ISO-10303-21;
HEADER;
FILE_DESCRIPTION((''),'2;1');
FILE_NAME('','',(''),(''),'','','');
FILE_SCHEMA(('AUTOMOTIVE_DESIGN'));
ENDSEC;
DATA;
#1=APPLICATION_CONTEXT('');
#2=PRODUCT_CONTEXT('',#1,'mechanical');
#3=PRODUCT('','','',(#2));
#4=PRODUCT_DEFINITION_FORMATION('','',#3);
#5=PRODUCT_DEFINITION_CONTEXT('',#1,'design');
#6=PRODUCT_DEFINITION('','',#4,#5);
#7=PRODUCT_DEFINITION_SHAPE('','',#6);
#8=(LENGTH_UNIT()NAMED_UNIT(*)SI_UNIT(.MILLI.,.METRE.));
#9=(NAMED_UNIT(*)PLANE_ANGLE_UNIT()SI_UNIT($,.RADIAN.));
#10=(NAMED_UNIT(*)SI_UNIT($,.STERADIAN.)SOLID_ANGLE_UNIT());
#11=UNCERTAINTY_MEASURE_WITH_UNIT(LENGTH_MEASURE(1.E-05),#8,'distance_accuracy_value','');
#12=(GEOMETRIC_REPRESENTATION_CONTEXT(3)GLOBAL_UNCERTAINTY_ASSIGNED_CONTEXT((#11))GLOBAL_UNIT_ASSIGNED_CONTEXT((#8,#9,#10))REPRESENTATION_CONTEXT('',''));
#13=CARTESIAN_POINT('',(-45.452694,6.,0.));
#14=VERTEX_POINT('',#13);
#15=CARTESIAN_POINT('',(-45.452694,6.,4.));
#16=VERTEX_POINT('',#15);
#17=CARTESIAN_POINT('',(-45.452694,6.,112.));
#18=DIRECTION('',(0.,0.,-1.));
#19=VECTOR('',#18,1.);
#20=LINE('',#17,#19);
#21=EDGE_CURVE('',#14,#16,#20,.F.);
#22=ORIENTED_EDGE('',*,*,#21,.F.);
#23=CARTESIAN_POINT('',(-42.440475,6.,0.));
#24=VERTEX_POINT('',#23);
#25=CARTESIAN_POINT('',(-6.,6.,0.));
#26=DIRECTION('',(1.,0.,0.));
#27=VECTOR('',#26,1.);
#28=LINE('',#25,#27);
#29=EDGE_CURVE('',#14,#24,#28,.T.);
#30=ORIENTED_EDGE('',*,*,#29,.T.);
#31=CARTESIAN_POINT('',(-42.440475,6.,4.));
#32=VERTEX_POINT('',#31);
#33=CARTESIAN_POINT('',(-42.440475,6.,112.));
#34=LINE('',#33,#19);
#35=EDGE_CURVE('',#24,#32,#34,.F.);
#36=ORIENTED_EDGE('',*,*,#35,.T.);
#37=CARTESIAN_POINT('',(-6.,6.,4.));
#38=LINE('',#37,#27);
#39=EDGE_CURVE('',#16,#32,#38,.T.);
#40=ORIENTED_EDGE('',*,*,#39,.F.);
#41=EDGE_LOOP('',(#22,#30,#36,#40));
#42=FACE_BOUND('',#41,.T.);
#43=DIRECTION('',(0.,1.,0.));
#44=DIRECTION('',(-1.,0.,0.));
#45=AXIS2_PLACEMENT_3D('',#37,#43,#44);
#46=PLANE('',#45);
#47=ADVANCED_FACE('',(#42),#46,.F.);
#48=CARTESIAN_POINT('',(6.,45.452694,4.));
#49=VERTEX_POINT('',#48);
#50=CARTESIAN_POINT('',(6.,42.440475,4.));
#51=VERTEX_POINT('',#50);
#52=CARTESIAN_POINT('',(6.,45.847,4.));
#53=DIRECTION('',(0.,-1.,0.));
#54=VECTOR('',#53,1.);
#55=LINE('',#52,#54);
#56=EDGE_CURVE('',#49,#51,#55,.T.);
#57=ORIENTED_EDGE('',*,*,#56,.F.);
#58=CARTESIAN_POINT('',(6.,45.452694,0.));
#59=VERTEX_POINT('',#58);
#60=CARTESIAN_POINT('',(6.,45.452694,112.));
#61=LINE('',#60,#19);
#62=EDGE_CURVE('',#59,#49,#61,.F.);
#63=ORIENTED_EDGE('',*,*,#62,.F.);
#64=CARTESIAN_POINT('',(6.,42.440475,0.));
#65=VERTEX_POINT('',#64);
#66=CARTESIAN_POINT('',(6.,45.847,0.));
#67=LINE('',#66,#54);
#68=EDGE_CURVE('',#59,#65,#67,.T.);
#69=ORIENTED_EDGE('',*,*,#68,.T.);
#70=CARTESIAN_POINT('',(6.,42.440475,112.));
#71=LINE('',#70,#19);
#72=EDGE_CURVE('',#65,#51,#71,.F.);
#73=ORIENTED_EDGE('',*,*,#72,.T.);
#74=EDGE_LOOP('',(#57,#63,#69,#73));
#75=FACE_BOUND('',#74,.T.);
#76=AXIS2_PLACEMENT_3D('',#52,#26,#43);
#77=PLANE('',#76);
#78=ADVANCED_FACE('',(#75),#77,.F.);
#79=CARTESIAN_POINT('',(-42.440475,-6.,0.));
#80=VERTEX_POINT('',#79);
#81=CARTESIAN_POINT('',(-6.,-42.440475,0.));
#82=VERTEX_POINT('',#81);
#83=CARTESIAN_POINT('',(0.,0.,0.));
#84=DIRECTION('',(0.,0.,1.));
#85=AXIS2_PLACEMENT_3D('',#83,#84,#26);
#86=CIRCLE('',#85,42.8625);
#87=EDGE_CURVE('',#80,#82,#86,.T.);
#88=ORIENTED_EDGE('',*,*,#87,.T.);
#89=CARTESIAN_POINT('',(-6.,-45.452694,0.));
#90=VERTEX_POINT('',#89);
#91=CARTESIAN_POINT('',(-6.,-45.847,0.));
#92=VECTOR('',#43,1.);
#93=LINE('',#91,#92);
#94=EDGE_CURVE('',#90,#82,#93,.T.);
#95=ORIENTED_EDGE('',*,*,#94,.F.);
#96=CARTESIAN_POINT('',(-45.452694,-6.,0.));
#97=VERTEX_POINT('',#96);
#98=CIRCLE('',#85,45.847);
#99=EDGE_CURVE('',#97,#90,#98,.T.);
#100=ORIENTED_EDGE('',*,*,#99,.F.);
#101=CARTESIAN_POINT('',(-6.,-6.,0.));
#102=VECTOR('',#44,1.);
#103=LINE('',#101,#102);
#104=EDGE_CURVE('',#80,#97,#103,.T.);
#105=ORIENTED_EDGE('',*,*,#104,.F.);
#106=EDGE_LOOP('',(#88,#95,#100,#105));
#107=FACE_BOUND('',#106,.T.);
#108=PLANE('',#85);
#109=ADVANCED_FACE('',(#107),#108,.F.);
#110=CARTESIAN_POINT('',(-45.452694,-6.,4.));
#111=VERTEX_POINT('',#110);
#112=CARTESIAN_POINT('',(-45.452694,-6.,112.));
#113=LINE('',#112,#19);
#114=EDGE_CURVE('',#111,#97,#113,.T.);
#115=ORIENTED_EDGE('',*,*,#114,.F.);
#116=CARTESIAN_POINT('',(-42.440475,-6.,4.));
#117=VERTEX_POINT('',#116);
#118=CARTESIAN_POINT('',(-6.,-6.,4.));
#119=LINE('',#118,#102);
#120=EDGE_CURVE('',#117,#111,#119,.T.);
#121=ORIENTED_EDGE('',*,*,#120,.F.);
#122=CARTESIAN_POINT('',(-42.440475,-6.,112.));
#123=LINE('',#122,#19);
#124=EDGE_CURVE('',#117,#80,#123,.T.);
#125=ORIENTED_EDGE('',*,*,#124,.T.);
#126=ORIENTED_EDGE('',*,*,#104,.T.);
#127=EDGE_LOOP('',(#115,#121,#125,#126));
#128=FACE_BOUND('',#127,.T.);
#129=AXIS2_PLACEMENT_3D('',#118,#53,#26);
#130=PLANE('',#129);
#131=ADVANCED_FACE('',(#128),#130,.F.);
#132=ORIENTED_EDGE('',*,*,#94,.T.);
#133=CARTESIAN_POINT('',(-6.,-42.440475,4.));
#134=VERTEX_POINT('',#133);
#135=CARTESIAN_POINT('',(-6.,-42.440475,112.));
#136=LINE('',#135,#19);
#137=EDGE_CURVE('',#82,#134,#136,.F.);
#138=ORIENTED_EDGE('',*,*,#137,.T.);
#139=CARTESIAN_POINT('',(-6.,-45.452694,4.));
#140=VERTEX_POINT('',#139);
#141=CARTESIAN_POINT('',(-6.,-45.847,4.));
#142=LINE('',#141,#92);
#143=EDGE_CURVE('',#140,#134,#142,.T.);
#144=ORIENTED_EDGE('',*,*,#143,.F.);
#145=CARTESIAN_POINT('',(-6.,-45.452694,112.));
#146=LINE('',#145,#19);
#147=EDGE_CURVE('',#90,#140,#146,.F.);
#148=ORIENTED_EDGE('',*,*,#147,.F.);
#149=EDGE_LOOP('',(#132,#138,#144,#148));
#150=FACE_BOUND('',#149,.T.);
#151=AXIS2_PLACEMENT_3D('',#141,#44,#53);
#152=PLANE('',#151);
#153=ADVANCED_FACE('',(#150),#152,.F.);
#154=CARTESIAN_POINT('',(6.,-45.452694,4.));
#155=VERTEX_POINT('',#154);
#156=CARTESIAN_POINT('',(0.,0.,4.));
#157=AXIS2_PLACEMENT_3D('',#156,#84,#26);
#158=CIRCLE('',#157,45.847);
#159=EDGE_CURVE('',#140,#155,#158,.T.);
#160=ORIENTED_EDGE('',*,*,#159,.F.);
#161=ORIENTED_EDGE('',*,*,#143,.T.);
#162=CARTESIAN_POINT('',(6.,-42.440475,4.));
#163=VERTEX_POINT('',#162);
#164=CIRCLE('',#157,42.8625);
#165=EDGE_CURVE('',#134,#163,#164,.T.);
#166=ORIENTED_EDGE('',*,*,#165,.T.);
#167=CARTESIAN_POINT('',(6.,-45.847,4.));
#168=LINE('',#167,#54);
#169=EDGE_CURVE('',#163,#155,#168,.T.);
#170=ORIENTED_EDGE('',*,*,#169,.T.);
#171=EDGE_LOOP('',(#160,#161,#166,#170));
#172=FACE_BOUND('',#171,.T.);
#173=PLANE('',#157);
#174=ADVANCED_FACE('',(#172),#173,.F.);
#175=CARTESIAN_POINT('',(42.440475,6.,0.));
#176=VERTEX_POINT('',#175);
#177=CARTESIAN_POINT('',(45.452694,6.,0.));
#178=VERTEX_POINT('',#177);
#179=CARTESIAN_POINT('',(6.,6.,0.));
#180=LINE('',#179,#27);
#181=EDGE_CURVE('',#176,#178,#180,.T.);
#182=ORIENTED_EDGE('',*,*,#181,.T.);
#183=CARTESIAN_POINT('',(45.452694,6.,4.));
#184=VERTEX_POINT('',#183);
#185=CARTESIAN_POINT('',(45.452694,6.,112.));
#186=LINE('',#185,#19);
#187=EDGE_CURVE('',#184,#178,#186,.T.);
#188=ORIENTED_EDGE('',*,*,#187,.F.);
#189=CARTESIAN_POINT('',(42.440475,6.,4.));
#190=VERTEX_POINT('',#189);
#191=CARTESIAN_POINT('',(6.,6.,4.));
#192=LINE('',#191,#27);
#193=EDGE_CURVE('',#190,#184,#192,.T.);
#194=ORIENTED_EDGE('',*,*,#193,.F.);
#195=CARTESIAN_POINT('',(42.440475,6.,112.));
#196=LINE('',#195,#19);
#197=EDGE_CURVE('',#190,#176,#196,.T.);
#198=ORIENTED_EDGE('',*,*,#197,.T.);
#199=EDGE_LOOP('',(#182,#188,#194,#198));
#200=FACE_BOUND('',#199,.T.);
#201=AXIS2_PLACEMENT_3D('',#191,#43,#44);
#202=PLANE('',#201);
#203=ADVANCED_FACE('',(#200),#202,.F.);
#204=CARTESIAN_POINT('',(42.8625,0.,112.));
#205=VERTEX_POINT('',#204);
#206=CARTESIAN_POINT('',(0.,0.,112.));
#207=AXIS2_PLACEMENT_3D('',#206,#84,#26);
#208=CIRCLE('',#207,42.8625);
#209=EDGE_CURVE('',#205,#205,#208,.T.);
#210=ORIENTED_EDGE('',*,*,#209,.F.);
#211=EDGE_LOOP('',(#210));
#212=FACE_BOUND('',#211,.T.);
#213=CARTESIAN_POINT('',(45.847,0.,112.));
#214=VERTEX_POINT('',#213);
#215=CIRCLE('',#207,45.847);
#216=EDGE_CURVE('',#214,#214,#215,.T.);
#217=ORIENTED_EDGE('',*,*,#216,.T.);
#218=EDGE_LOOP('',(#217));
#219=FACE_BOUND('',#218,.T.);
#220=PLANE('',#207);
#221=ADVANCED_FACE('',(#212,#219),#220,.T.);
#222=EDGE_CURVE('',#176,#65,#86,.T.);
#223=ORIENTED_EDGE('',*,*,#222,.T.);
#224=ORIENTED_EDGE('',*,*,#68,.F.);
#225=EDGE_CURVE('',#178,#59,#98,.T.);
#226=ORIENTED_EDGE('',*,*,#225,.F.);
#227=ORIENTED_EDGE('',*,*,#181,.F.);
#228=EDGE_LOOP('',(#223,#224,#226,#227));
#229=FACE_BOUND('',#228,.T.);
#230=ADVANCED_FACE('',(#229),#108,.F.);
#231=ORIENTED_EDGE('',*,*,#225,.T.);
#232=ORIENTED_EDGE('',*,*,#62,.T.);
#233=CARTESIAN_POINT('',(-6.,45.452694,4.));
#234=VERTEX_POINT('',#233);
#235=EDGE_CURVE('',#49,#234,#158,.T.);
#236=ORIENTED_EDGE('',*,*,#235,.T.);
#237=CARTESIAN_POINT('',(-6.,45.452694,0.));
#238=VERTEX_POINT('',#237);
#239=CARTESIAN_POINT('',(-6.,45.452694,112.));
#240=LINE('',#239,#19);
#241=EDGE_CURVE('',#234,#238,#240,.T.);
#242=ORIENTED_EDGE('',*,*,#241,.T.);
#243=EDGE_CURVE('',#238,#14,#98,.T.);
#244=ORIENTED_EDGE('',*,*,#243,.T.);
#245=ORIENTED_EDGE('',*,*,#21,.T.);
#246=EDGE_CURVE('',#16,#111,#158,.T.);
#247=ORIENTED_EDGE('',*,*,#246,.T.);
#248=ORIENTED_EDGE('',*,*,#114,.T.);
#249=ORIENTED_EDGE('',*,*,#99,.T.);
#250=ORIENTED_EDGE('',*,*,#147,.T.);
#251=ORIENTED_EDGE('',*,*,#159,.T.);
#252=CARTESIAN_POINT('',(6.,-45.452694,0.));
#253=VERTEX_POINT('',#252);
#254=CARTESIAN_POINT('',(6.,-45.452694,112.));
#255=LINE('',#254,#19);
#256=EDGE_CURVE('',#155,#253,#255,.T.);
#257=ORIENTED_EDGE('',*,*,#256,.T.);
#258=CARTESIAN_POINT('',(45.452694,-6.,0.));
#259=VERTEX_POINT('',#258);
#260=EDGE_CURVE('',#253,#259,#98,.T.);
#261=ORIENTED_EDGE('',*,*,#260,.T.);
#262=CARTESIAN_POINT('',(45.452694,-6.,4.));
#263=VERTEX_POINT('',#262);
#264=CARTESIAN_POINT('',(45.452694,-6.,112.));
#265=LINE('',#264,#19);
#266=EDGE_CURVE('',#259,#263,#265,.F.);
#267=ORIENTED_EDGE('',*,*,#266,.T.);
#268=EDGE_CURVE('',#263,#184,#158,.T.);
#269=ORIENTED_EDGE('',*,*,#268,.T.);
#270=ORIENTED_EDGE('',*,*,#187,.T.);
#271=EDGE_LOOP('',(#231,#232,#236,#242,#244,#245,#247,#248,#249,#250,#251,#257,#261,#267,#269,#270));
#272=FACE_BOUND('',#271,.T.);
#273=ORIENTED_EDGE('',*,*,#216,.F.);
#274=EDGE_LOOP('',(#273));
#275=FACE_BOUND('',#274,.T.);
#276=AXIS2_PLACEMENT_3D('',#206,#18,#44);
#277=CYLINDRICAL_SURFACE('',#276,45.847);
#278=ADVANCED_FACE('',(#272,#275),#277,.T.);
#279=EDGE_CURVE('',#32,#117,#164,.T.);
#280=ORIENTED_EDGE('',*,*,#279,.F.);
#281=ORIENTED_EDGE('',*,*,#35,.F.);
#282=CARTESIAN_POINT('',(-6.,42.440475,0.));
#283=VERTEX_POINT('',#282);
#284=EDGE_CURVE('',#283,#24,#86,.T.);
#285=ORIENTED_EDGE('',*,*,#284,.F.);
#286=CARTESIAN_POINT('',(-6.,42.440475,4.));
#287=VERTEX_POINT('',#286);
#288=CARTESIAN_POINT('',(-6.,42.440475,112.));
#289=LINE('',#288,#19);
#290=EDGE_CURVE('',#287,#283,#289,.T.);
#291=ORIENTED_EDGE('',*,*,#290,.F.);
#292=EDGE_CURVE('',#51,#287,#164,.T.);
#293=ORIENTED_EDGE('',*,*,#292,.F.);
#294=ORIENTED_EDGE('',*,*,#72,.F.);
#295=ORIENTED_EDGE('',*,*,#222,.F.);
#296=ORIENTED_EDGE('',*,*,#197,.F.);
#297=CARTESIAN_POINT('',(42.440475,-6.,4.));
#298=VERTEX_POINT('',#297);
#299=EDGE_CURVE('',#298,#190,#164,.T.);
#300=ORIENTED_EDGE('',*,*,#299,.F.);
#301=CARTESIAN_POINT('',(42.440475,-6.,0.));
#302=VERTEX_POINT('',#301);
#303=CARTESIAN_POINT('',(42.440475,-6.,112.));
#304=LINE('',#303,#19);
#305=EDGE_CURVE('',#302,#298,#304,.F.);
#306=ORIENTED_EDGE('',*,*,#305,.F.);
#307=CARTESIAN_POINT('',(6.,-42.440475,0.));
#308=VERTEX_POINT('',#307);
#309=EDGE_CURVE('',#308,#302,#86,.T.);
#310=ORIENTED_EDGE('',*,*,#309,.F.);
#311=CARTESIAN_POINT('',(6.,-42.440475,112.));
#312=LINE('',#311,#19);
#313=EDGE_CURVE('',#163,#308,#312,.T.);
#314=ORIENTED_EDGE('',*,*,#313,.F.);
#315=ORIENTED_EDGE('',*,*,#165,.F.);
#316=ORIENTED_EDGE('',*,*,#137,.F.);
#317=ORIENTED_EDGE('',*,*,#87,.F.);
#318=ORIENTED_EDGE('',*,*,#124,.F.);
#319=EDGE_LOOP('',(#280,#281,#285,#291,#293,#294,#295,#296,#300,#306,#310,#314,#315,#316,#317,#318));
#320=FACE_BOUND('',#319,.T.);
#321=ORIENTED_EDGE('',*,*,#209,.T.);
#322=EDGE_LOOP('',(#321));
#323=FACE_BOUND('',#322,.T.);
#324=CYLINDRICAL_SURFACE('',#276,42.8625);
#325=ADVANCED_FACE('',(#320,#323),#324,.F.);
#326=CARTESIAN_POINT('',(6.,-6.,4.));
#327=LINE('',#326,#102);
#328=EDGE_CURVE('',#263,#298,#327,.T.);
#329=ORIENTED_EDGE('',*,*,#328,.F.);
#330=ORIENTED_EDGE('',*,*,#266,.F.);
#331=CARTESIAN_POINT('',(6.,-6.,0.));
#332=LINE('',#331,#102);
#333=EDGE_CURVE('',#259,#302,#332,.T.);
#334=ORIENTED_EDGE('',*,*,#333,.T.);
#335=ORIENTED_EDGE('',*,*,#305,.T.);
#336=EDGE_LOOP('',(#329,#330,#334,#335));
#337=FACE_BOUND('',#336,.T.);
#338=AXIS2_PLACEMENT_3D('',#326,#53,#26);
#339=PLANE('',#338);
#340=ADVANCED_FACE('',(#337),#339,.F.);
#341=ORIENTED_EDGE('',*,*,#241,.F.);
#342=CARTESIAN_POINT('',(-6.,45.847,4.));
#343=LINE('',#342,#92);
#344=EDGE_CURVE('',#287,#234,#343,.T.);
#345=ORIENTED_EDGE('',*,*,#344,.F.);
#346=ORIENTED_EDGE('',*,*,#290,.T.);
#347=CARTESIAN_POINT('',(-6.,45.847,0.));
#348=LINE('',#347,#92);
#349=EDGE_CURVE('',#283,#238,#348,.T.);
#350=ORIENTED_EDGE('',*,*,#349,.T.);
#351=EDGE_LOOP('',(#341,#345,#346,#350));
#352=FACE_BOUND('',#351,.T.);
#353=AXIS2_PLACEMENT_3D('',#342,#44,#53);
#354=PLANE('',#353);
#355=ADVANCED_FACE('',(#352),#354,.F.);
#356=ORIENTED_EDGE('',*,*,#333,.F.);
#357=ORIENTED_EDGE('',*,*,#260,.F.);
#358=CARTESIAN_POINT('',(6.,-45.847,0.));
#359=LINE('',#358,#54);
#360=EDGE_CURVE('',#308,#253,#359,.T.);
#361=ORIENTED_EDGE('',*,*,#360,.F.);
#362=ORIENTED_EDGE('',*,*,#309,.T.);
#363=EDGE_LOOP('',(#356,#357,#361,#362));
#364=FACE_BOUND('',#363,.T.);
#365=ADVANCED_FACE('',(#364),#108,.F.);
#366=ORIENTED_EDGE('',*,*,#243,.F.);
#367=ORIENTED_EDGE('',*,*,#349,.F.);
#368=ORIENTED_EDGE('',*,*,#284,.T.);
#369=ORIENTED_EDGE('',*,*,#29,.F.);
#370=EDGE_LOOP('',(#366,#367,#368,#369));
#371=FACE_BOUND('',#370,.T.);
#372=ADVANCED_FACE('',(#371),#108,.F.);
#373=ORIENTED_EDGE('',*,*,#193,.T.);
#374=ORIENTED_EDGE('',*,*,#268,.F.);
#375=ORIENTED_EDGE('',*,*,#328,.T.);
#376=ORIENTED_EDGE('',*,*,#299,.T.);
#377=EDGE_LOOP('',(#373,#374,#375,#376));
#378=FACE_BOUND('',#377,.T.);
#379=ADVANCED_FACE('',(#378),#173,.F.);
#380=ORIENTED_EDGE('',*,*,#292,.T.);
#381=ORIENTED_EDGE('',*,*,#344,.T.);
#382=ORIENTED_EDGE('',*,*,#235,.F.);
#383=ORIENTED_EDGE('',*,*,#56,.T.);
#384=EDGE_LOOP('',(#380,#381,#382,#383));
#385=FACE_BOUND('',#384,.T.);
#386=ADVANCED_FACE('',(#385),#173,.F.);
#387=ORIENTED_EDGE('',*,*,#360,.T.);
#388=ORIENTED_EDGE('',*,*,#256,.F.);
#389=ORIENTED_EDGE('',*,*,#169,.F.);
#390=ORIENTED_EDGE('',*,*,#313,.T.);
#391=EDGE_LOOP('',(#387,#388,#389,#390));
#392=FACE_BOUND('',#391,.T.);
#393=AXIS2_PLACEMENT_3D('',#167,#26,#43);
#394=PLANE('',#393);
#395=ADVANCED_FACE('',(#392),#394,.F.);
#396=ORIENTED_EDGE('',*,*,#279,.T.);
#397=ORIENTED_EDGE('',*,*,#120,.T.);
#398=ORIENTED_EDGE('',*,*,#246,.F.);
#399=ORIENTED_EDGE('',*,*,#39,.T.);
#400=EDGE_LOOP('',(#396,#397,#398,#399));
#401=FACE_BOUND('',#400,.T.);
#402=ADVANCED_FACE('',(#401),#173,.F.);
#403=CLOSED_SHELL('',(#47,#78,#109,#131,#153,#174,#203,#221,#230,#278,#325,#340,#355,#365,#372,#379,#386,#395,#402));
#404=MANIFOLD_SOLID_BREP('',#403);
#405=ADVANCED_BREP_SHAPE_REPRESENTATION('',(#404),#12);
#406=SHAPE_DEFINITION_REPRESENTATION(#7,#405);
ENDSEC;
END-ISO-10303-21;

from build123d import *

# Parameters (mm, degrees)
SKETCH1_R           = 45.847
SKETCH1_R_2         = 42.8625
BOSS_EXTRUDE1_DEPTH = 112
CUT_EXTRUDE1_DEPTH  = 4


with BuildPart() as part:
    # Sketch1 → Boss-Extrude1 (new body)
    with BuildSketch(Plane.XY):
        Circle(SKETCH1_R)
        Circle(SKETCH1_R_2, mode=Mode.SUBTRACT)
    extrude(amount=BOSS_EXTRUDE1_DEPTH)

    # Sketch3 → Cut-Extrude1 (cut)
    with BuildSketch(Plane(origin=(0, 0, 0), x_dir=(-1, 0, 0), z_dir=(0, 0, -1))):
        Polygon((6, 45.847), (-6, 45.847), (-6, 6), (-45.847, 6), (-45.847, -6), (-6, -6), (-6, -45.847), (6, -45.847), (6, -6), (45.847, -6), (45.847, 6), (6, 6), align=None)
    extrude(amount=-CUT_EXTRUDE1_DEPTH, mode=Mode.SUBTRACT)


solid = part.part
